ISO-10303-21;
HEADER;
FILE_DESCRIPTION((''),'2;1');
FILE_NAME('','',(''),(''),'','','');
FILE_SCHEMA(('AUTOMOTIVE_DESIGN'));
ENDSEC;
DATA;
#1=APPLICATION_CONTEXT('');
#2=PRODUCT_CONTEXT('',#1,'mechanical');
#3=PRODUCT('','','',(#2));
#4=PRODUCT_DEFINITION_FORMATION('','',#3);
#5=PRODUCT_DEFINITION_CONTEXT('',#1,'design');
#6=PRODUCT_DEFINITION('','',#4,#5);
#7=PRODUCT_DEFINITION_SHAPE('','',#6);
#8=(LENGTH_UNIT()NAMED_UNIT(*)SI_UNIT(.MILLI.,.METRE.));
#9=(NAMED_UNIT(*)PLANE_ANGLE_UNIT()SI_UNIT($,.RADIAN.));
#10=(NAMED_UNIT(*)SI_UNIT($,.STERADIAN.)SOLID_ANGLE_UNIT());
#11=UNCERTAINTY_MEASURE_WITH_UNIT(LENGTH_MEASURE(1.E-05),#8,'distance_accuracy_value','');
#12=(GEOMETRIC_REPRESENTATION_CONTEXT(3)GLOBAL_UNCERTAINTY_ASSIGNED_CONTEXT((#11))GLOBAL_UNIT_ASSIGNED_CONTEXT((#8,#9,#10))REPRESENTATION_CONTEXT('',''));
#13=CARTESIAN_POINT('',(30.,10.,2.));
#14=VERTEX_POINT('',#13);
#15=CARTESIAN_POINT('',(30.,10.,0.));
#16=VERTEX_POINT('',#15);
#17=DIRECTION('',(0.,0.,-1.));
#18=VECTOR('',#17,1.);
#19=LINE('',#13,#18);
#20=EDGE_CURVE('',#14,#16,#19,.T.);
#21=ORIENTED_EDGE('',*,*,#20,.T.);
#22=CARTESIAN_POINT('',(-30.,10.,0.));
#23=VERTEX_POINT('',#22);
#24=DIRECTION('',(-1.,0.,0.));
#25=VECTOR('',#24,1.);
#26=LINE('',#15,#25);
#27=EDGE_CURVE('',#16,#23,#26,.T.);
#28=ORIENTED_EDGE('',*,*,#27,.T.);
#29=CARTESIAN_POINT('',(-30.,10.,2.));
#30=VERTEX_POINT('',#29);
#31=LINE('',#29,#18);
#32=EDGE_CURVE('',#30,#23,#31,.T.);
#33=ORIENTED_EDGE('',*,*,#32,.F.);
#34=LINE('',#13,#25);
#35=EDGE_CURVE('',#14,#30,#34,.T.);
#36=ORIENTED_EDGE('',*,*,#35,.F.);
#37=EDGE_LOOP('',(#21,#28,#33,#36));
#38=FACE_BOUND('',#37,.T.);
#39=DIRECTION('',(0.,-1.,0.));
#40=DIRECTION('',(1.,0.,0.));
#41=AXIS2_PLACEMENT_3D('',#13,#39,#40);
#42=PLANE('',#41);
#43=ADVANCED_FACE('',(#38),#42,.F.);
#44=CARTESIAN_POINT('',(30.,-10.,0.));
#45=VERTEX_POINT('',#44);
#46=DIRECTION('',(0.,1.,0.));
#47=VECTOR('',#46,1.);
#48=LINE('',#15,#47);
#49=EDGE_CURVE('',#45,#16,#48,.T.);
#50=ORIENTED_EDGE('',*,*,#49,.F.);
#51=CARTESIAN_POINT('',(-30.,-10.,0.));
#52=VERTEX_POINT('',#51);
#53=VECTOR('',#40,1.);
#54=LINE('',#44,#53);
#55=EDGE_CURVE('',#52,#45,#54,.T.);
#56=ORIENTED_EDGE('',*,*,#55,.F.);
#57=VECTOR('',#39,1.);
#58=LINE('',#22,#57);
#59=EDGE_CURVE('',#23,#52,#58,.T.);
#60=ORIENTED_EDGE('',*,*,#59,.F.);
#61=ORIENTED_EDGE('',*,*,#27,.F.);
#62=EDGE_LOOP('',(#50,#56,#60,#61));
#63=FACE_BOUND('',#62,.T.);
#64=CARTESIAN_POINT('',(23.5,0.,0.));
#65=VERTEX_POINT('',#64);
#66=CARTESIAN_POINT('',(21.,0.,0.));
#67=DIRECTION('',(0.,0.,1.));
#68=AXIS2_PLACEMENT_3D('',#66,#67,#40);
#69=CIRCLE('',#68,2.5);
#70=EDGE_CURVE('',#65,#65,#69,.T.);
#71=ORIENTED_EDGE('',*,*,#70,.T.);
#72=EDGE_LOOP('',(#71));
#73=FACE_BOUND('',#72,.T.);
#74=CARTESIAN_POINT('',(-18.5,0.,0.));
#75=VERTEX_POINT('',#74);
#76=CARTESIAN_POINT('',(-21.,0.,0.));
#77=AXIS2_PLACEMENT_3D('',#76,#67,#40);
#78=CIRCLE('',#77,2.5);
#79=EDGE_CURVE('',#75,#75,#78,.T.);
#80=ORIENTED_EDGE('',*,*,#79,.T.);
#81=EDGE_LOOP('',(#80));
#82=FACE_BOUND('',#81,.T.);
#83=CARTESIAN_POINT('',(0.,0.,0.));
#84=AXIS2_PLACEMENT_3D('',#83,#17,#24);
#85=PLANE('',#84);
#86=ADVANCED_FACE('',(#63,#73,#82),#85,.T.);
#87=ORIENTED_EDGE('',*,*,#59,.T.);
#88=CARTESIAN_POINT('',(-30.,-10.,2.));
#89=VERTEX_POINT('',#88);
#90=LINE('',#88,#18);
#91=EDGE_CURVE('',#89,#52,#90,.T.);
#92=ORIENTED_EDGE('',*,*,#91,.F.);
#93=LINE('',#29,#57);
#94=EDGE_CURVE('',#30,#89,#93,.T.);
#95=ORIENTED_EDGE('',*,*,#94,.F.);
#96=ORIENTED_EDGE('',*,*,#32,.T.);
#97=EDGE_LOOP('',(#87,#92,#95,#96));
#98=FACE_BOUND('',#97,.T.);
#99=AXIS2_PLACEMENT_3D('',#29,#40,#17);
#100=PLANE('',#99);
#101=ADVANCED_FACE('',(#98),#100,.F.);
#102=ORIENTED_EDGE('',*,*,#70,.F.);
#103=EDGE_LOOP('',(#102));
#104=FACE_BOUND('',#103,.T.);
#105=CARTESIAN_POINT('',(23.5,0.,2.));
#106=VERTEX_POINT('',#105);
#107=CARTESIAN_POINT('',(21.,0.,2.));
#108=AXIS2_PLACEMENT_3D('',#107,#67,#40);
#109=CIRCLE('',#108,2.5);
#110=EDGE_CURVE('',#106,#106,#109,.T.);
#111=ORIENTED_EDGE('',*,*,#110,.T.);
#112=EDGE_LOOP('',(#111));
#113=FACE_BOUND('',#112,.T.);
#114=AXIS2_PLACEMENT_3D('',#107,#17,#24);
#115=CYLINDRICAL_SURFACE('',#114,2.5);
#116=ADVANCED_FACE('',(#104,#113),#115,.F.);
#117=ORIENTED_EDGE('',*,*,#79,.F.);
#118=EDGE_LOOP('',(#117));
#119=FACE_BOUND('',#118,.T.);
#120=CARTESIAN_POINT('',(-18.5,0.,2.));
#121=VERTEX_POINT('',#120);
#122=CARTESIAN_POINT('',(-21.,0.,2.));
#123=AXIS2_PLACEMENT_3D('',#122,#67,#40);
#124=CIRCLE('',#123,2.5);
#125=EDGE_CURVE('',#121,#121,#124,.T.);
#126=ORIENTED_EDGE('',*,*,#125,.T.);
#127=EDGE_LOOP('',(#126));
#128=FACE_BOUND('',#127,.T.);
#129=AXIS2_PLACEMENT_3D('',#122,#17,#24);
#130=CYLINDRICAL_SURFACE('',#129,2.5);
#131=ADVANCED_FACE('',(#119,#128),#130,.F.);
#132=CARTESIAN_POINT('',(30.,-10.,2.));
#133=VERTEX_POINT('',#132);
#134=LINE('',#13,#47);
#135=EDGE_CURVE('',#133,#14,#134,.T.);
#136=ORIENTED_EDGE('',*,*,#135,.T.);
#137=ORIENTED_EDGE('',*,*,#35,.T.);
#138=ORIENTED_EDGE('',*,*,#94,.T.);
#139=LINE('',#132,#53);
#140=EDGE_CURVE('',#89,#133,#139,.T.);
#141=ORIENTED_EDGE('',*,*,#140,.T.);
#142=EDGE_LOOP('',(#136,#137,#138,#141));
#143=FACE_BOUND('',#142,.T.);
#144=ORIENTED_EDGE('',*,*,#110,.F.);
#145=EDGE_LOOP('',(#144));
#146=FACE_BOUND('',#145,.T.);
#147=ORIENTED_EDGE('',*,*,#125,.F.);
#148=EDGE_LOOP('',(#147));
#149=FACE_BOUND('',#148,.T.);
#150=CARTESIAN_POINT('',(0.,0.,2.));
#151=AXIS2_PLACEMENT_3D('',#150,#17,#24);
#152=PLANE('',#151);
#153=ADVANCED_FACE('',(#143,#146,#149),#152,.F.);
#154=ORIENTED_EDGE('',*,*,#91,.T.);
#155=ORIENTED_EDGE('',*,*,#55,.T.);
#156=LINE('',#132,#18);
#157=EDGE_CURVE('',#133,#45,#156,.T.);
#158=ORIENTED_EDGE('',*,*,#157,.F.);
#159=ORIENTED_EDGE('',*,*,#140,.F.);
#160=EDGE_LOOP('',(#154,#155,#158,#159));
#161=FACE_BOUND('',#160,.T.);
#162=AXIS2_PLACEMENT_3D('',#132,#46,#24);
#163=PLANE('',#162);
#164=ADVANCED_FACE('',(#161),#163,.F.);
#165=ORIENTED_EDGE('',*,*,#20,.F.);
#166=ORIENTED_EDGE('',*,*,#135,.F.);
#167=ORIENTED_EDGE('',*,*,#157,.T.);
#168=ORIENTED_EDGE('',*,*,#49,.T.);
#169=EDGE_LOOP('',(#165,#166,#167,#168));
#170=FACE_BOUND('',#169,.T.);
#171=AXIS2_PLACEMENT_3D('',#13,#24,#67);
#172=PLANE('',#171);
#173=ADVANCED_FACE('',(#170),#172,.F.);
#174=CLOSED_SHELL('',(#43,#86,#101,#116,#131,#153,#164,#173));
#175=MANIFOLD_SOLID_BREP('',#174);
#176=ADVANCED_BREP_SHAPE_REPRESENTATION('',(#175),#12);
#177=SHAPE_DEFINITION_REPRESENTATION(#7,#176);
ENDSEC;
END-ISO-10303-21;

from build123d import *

# Parameters (mm, degrees)
SKETCH_1_W      = 60
SKETCH_1_H      = 20
SKETCH_1_R      = 2.5
EXTRUDE_1_DEPTH = 2


with BuildPart() as part:
    # 草图1 → 凸台-拉伸1 (new body)
    with BuildSketch(Plane.XY):
        Rectangle(SKETCH_1_W, SKETCH_1_H)
        with Locations((-21, 0)):
            Circle(SKETCH_1_R, mode=Mode.SUBTRACT)
        with Locations((21, 0)):
            Circle(SKETCH_1_R, mode=Mode.SUBTRACT)
    extrude(amount=EXTRUDE_1_DEPTH)


solid = part.part
